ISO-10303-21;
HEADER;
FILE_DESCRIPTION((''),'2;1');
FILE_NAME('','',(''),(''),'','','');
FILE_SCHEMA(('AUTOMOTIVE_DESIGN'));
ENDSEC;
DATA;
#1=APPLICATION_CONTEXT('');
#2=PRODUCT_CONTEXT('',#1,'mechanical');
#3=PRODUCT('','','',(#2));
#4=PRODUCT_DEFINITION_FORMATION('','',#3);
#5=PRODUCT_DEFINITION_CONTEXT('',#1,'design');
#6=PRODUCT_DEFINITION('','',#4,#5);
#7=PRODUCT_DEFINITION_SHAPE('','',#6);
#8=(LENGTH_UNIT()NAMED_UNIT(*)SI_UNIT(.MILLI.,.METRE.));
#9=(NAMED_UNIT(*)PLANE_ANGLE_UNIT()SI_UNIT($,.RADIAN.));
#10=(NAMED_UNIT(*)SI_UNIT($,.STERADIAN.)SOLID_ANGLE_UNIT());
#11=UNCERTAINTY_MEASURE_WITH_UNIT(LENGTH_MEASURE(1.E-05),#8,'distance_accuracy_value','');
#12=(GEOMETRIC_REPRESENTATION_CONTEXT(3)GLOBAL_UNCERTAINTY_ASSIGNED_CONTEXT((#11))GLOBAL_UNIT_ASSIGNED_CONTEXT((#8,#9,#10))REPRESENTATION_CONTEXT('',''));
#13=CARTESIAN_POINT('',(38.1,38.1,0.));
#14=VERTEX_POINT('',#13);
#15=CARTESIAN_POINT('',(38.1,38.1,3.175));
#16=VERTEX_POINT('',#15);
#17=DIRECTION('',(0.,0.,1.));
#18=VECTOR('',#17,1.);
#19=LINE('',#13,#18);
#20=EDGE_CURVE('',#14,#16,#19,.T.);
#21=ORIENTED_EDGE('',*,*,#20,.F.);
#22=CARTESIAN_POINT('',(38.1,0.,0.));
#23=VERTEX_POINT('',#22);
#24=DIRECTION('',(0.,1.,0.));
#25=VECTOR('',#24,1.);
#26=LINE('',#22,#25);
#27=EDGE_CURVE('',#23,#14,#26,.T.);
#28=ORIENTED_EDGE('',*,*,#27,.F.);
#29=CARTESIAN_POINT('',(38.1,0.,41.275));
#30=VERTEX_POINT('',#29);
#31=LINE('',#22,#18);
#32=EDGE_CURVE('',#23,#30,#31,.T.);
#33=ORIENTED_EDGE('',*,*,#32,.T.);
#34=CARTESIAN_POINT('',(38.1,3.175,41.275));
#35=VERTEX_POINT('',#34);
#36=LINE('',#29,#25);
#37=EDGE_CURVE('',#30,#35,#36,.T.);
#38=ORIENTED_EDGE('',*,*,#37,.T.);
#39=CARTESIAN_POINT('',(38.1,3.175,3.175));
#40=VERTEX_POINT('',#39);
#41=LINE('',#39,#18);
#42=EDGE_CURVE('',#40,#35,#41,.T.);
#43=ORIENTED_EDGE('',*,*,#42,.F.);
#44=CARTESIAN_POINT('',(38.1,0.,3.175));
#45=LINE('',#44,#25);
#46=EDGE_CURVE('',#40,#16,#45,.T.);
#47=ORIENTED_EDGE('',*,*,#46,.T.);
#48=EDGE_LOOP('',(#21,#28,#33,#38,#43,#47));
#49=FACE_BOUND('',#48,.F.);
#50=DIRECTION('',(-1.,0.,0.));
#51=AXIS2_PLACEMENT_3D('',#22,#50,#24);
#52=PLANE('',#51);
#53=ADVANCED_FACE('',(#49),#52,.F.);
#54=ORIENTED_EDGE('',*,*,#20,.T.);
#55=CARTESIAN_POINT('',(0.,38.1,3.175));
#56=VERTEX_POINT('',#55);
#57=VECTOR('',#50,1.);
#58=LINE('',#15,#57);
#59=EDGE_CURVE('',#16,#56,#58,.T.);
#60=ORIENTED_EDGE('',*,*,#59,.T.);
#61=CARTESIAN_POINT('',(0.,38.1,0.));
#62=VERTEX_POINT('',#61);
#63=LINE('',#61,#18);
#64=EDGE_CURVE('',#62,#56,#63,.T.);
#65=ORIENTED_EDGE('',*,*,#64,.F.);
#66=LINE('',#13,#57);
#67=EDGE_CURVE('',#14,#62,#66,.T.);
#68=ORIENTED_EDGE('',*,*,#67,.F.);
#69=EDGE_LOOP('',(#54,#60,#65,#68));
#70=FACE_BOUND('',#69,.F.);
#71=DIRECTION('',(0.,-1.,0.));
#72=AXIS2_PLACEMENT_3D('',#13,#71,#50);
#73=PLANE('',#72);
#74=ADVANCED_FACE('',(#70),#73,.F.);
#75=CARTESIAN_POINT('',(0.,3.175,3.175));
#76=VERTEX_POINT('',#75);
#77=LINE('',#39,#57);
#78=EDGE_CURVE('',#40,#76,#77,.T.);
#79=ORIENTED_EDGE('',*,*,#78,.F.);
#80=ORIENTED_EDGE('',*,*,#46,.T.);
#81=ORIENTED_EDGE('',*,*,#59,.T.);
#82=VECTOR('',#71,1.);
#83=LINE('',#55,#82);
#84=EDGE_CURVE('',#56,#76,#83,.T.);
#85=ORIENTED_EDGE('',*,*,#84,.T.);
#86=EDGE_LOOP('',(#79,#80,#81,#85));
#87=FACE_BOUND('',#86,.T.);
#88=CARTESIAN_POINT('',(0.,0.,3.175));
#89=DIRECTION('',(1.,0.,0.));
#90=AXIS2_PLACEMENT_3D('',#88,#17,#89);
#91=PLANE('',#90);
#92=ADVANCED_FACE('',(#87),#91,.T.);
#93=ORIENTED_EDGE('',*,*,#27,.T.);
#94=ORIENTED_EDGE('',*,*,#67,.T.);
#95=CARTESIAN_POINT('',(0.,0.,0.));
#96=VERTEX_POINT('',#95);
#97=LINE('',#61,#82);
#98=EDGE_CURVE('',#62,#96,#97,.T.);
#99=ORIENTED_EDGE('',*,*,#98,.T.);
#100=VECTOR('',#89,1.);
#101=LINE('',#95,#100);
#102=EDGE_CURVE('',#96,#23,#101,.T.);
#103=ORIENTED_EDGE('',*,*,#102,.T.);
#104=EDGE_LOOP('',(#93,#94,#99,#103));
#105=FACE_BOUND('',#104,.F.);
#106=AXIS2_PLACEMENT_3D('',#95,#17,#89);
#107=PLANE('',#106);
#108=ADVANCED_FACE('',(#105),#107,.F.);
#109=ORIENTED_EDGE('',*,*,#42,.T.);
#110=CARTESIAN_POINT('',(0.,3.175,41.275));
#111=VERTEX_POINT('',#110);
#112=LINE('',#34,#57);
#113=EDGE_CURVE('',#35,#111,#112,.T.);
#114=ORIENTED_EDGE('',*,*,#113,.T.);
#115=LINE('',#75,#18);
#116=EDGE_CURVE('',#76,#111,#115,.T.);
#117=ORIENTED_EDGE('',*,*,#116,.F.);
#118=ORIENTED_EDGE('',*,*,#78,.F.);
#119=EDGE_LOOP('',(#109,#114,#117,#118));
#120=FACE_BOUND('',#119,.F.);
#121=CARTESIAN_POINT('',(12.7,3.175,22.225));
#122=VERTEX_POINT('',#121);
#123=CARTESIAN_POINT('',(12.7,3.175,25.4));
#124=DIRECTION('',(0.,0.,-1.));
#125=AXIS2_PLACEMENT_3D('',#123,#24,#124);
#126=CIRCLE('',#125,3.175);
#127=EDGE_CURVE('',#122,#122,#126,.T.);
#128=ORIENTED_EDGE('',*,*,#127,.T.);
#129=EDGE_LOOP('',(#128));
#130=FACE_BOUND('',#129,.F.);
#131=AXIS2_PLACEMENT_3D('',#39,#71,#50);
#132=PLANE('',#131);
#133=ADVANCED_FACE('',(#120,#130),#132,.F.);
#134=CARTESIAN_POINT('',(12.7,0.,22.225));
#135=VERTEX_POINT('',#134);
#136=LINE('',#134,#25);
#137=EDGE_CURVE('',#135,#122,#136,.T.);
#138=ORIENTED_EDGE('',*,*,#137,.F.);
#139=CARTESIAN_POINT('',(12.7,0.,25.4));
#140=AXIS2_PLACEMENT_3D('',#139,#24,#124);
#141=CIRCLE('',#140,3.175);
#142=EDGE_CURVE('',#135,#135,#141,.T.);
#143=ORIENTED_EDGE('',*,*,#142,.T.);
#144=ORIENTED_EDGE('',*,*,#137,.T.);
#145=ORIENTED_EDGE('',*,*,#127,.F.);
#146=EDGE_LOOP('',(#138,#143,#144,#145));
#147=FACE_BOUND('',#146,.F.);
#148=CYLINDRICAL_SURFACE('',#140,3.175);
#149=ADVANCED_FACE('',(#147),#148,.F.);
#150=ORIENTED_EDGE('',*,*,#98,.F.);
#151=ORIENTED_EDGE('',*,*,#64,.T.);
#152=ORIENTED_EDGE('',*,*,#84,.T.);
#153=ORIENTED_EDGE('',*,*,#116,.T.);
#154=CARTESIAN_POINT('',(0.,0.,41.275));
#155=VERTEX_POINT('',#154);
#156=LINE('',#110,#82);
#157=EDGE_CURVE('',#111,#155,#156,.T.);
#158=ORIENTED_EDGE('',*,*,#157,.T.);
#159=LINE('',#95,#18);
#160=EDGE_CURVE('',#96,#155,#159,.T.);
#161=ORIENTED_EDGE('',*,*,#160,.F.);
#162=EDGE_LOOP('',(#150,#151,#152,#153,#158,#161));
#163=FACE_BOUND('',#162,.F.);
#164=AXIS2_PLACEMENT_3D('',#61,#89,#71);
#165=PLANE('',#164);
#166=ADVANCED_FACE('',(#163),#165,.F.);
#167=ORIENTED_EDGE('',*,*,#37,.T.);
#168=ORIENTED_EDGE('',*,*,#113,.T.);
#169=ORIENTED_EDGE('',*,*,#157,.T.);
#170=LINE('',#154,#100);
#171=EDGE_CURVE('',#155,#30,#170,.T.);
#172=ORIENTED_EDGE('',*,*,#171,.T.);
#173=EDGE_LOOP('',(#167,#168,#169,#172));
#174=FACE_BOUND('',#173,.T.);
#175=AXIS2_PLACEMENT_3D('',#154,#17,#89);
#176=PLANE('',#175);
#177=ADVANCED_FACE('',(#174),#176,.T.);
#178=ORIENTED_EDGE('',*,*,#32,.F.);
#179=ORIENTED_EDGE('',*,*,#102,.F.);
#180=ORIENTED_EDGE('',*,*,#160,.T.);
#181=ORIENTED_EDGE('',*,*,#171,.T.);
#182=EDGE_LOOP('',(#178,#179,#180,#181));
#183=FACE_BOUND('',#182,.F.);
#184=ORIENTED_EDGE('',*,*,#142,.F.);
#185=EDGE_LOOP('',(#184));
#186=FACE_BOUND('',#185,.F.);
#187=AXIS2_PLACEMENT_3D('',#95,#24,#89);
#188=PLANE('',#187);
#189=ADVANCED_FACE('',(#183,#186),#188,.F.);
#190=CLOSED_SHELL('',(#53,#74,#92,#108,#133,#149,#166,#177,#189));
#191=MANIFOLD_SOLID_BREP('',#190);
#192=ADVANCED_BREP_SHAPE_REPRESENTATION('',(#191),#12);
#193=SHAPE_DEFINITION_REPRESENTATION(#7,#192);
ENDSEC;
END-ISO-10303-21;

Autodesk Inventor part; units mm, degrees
ref_plane "YZ Plane" through (0, 0, 0) normal (1, 0, 0) x (0, 1, 0)
ref_plane "XZ Plane" through (0, 0, 0) normal (0, 1, 0) x (-1, 0, 0)
ref_plane "XY Plane" through (0, 0, 0) normal (0, 0, 1) x (1, 0, 0)
sketch "Sketch1" plane through (0, 0, 0) normal (0, 0, 1) x (1, 0, 0)
  line L0 (0, 0) -> (38.1, 0)
  line L1 (38.1, 0) -> (38.1, 38.1)
  line L2 (38.1, 38.1) -> (0, 38.1)
  line L3 (0, 38.1) -> (0, 0)
  dimension "d0" = 38.1
  dimension "d1" = 38.1
extrude "Extrusion1" add sketch "Sketch1" along normal blind 3.175
sketch "Sketch2" plane through (0, 0, 3.175) normal (0, 0, 1) x (1, 0, 0)
  line L0 (0, 0) -> (38.1, 0) projected
  line L1 (38.1, 0) -> (38.1, 38.1) projected
  line L2 (0, 0) -> (38.1, 0)
  line L3 (38.1, 0) -> (38.1, 3.175)
  line L4 (38.1, 3.175) -> (0, 3.175)
  line L5 (0, 3.175) -> (0, 0)
  dimension "d4" = 3.175
extrude "Extrusion2" add sketch "Sketch2" along normal blind 38.1
sketch "Sketch4" plane through (0, 0, 0) normal (0, -1, 0) x (1, 0, 0)
  line L0 (0, 41.275) -> (38.1, 41.275) projected
  line L1 (0, 0) -> (0, 41.275) projected
  line L2 (0, 0) -> (38.1, 0) projected
  line L3 (38.1, 0) -> (38.1, 41.275) projected
  point P0 (12.7, 25.4)
  dimension "d25" = 25.4
  dimension "d26" = 25.4
hole "Hole2" at (12.7, 0, 25.4) direction (0, 1, 0) diameter 6.35 end through all
properties part number "CLB_065_ScissorOutsideLBracketLeft"
